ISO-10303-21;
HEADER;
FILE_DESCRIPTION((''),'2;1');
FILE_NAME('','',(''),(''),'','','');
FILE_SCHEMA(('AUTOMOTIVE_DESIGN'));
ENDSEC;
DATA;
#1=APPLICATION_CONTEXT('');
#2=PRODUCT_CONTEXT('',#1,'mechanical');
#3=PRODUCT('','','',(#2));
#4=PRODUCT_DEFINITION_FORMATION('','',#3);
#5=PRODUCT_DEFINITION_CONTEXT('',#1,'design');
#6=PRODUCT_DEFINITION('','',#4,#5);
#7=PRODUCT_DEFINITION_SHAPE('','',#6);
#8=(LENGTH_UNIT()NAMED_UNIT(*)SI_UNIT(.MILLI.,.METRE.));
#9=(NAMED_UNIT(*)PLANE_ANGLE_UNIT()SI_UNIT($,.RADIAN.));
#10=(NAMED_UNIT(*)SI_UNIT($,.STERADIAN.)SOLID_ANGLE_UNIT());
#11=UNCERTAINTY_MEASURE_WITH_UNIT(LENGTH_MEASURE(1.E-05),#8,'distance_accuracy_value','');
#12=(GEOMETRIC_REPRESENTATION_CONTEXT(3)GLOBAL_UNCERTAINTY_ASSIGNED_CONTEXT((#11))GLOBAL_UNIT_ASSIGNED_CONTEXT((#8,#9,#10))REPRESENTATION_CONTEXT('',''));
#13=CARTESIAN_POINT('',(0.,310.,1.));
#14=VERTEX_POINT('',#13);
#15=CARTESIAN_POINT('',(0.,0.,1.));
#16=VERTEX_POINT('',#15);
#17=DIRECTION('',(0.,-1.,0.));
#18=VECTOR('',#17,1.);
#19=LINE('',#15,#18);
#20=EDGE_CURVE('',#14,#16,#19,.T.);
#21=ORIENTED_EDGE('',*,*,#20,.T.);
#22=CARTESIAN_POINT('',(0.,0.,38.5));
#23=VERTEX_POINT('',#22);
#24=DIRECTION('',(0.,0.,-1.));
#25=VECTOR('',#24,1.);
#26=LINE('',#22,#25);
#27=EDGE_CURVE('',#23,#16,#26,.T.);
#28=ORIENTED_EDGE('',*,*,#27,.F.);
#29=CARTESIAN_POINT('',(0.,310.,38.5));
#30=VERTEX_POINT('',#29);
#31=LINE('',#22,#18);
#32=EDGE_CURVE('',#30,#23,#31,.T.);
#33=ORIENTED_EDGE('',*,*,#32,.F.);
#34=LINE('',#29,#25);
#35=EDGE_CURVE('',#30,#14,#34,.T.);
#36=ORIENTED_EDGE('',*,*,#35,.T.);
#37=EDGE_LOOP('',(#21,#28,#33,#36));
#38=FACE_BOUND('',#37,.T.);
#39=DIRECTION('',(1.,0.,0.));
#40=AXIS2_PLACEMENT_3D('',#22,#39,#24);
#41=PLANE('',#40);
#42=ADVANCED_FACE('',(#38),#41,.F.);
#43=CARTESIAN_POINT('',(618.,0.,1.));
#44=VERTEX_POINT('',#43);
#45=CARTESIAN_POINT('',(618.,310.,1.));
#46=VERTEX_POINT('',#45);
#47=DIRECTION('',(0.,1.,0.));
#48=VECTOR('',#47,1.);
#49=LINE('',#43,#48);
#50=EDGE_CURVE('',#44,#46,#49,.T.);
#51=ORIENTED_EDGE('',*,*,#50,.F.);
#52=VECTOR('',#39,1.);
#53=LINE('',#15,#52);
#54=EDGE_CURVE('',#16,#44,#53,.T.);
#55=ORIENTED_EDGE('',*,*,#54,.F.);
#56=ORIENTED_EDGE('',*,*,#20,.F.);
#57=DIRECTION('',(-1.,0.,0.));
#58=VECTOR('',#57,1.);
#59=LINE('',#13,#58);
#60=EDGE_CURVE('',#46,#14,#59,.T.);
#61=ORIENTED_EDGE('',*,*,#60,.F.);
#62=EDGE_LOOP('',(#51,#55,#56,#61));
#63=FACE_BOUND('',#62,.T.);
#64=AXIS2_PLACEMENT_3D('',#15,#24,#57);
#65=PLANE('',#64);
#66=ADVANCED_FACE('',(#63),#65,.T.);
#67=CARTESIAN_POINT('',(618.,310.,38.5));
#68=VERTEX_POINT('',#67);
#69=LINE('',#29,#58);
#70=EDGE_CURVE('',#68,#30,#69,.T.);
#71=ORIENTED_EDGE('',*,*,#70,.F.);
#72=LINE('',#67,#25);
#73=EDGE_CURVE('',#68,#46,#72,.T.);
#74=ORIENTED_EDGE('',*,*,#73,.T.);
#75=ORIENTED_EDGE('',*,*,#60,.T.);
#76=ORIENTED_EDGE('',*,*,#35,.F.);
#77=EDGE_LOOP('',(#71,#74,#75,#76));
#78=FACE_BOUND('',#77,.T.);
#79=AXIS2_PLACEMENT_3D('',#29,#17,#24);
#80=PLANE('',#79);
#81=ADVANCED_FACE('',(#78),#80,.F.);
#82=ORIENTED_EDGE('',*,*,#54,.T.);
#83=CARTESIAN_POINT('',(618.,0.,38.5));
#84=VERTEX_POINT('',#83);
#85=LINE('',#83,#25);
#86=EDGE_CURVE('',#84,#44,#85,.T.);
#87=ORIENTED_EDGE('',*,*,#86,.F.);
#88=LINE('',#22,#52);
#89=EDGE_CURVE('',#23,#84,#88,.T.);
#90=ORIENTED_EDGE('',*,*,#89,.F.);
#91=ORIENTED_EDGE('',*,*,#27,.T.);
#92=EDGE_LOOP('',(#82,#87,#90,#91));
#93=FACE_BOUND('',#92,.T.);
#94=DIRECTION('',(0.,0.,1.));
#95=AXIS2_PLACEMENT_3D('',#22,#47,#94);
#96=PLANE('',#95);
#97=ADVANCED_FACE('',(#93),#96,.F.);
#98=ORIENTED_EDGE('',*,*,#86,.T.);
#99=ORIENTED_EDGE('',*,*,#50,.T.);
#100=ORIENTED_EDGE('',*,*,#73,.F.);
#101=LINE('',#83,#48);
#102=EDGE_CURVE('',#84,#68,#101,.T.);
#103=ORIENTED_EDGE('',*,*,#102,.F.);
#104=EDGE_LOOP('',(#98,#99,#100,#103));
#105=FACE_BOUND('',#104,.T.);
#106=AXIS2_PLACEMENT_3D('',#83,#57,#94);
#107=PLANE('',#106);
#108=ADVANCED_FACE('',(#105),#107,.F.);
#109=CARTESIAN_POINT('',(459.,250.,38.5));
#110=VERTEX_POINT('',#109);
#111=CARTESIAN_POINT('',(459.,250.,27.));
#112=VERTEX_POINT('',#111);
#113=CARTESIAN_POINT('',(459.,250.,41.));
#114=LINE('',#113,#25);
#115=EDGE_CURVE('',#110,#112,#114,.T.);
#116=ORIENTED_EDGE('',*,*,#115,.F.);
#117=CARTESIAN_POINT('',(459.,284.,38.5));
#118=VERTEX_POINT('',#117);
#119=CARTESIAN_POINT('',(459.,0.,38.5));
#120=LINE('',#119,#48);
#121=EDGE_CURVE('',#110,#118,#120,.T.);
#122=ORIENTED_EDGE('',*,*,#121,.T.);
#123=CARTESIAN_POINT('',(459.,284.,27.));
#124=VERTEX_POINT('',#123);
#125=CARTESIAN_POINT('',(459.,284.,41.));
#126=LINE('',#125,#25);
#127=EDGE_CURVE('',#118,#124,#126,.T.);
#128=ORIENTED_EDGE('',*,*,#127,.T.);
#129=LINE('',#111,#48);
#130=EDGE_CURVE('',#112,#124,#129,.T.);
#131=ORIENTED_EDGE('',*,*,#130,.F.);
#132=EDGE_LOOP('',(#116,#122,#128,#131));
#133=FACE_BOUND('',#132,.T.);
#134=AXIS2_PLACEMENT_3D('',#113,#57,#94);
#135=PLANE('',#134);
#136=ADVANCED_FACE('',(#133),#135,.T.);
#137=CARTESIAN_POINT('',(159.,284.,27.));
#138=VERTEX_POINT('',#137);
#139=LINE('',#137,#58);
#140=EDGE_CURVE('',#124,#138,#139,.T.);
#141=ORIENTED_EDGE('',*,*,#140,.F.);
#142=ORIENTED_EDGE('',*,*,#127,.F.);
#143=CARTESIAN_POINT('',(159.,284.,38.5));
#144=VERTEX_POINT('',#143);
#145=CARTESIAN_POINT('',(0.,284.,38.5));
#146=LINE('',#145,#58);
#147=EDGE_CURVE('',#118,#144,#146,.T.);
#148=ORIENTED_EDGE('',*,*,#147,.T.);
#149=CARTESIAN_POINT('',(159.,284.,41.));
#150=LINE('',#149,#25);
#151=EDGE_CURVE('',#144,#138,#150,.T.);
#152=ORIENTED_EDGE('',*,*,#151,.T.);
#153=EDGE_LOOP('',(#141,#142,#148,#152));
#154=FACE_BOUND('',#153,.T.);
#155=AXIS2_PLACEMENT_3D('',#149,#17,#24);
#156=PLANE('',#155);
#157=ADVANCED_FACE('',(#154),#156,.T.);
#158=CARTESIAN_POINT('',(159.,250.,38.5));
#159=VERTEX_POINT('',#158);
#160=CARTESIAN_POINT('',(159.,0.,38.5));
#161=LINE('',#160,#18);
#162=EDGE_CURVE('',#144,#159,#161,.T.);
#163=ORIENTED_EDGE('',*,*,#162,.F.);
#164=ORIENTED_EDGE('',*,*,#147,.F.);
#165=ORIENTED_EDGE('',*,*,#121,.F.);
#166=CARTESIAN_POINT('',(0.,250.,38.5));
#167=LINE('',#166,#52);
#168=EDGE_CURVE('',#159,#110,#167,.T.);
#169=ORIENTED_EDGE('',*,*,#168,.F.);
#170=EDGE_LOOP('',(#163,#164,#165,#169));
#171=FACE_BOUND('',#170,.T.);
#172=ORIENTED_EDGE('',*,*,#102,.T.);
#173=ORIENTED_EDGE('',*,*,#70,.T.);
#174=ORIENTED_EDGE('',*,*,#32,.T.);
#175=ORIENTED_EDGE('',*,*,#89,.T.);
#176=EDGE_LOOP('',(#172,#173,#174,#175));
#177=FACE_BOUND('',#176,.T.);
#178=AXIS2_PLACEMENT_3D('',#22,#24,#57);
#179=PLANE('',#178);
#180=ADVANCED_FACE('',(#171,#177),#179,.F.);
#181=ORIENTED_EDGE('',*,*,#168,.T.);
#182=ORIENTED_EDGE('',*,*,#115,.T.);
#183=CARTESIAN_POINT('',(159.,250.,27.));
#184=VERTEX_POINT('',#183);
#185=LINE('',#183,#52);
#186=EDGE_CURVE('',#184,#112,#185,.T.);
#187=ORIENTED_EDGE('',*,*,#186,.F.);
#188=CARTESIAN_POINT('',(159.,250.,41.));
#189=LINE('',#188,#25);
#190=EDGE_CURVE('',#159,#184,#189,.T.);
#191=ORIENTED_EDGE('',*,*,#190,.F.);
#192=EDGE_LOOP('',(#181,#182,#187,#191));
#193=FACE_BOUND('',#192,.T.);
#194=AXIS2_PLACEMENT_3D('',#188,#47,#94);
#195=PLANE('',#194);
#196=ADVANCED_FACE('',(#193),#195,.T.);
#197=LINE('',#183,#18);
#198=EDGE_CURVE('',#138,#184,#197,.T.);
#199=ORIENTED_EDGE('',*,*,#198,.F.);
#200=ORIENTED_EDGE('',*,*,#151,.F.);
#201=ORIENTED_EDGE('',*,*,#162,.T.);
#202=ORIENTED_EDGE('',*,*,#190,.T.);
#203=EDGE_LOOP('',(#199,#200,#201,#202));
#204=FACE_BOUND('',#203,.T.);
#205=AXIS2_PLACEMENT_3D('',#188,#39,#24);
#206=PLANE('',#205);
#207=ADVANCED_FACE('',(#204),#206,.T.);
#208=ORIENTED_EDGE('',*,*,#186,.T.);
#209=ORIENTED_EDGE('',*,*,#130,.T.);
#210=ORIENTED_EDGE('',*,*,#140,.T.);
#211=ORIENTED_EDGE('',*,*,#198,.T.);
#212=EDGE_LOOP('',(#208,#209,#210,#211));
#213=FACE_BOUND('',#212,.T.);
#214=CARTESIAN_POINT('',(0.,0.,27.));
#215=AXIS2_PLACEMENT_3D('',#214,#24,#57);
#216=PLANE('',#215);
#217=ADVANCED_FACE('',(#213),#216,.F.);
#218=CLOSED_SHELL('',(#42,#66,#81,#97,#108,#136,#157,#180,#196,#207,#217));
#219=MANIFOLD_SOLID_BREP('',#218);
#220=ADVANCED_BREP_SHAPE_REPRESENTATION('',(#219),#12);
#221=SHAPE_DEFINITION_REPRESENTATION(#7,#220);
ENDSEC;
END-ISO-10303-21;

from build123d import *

# Parameters (mm, degrees)
CEK_1L_ON_PU_37_5_1_START = 1
SKETCH1_W                 = 618
SKETCH1_H                 = 310
CEK_1L_ON_PU_37_5_1_DEPTH = 37.5
CEK_1L_ON_PU_37_5_2_START = 27
SKETCH2_W                 = 300
SKETCH2_H                 = 34
CEK_1L_ON_PU_37_5_2_DEPTH = 14


with BuildPart() as part:
    # Sketch1 → CEK_1L_on_pu_37.5_1 (new body)
    with BuildSketch(Plane.XY.offset(CEK_1L_ON_PU_37_5_1_START)):
        with Locations((309, 155)):
            Rectangle(SKETCH1_W, SKETCH1_H)
    extrude(amount=CEK_1L_ON_PU_37_5_1_DEPTH)

    # Sketch2 → CEK_1L_on_pu_37.5_2 (cut)
    with BuildSketch(Plane.XY.offset(CEK_1L_ON_PU_37_5_2_START)):
        with Locations((309, 267)):
            Rectangle(SKETCH2_W, SKETCH2_H)
    extrude(amount=CEK_1L_ON_PU_37_5_2_DEPTH, mode=Mode.SUBTRACT)


solid = part.part
